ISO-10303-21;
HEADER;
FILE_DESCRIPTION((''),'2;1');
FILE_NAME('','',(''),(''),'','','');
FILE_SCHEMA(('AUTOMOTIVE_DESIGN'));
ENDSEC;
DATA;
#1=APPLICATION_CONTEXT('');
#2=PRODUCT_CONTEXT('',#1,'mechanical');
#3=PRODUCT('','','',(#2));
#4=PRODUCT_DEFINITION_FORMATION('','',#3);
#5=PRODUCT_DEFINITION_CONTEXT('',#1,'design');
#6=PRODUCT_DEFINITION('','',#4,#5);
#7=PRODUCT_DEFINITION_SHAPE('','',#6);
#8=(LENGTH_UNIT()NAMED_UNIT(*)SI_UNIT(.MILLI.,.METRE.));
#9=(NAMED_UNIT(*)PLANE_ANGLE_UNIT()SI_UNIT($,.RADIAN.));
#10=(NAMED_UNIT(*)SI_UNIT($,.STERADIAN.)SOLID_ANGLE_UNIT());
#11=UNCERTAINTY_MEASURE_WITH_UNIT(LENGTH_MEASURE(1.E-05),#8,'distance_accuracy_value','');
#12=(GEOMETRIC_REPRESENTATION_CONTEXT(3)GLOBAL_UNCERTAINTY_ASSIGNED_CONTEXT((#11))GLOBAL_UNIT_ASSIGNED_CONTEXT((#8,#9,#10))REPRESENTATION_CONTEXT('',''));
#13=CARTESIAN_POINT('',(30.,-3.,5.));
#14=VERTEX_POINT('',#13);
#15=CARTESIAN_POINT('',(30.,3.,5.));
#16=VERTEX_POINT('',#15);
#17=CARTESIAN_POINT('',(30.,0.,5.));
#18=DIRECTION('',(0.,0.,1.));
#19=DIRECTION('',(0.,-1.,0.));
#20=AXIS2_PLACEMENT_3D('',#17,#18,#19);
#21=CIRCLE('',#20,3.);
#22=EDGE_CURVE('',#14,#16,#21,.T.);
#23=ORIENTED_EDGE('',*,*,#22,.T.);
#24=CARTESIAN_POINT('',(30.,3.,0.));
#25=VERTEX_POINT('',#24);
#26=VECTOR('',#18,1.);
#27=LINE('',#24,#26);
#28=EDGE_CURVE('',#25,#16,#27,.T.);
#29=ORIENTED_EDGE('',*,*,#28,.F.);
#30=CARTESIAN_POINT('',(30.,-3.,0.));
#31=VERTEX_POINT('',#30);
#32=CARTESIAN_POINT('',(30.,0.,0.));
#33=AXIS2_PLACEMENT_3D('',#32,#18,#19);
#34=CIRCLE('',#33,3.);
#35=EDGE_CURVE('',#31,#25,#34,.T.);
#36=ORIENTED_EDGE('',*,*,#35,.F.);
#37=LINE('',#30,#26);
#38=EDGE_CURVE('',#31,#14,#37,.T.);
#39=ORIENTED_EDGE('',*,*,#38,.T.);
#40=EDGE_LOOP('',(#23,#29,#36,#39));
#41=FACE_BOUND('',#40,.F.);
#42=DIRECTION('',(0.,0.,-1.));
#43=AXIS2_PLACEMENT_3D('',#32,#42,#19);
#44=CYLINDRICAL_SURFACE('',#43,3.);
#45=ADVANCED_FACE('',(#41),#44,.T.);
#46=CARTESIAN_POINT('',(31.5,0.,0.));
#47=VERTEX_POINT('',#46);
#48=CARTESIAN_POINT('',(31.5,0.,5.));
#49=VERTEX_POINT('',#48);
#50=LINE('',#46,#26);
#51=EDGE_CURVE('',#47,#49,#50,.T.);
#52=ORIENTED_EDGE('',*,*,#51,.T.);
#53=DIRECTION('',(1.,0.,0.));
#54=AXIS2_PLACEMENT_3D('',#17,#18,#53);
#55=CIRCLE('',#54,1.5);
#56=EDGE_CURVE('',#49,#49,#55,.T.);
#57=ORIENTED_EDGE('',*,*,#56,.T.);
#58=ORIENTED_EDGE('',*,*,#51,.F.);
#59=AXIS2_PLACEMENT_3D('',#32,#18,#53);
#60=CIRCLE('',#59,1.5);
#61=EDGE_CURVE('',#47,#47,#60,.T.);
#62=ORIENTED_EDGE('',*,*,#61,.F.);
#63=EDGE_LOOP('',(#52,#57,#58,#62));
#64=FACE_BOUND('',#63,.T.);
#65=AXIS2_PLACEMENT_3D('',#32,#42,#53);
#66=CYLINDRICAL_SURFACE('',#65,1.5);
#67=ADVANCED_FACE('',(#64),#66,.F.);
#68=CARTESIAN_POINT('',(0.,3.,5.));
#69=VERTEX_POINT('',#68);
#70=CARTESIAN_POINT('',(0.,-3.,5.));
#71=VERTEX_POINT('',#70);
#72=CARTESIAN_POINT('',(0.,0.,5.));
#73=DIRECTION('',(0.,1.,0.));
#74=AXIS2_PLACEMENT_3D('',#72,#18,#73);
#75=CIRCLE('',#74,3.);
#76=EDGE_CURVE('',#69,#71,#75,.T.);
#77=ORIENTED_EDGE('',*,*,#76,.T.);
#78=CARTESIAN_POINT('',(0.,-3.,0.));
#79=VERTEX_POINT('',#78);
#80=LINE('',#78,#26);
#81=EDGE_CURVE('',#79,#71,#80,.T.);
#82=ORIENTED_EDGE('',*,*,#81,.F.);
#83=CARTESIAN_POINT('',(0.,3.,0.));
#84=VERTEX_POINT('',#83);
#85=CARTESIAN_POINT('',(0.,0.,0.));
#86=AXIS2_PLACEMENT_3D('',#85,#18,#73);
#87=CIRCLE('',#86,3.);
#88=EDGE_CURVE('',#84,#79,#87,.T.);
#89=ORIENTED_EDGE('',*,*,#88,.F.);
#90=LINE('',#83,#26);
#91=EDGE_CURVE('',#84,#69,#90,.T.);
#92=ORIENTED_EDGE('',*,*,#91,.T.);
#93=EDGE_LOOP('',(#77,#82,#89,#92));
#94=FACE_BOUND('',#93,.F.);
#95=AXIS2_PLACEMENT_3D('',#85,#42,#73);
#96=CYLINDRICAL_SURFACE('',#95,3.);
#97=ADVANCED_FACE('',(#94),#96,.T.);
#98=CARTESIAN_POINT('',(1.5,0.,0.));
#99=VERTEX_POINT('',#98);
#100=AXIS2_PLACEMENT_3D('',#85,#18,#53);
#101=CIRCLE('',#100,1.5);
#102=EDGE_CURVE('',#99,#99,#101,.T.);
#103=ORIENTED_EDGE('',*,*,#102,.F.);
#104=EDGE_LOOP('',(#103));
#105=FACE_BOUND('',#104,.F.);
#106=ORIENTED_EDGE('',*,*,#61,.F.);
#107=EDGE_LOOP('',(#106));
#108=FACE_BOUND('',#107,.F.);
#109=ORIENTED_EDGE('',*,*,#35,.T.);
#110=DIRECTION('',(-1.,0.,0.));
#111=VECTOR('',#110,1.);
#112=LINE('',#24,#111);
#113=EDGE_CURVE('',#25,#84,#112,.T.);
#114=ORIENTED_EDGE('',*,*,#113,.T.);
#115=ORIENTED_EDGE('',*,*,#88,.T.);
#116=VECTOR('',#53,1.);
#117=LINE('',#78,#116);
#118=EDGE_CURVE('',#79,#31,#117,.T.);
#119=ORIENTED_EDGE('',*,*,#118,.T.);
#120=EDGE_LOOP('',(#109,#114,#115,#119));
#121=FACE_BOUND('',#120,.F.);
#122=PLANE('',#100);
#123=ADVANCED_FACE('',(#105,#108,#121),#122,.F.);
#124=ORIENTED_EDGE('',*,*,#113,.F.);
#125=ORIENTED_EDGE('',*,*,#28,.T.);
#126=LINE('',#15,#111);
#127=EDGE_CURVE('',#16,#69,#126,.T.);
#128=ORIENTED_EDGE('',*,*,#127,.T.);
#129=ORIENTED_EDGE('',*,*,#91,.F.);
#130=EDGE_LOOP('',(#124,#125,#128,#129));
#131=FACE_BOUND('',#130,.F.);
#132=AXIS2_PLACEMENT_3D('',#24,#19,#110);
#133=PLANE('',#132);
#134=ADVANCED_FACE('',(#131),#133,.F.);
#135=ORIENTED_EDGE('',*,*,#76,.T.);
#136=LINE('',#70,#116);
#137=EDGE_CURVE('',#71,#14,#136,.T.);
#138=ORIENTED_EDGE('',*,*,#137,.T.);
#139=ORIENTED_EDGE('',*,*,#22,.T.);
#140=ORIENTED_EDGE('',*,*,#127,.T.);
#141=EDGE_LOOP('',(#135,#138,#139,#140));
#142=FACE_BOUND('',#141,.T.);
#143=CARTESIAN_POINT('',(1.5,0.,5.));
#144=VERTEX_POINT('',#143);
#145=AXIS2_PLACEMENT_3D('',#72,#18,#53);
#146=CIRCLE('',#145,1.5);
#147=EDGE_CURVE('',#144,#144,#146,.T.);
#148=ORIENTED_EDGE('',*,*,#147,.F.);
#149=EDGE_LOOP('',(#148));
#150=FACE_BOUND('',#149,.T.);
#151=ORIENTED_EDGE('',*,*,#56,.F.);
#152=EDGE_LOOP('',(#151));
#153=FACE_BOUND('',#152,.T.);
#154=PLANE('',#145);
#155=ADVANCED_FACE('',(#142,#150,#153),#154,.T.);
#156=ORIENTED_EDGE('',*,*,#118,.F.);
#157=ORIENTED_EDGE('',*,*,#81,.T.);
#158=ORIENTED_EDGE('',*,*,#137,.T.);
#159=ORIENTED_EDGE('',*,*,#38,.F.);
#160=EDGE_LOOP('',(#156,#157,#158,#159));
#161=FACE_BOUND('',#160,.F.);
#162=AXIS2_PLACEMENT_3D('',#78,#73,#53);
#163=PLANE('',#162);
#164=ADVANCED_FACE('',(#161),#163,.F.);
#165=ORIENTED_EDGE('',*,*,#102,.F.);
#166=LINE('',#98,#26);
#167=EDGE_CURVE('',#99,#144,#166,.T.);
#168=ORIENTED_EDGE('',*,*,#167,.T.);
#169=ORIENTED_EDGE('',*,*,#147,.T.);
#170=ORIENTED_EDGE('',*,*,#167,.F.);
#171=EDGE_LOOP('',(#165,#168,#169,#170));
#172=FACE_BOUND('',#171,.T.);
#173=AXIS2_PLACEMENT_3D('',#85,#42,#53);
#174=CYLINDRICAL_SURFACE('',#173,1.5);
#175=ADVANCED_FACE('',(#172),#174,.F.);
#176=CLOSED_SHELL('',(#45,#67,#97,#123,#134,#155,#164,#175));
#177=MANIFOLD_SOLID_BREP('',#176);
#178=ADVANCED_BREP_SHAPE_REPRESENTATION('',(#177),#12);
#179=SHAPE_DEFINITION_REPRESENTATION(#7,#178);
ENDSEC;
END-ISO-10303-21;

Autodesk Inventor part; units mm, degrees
ref_plane "YZ Plane" through (0, 0, 0) normal (1, 0, 0) x (0, 1, 0)
ref_plane "XZ Plane" through (0, 0, 0) normal (0, 1, 0) x (-1, 0, 0)
ref_plane "XY Plane" through (0, 0, 0) normal (0, 0, 1) x (1, 0, 0)
sketch "스케치1" plane through (0, 0, 0) normal (0, 0, 1) x (1, 0, 0)
  line L0 (0, 0) -> (30, 0) construction
  line L1 (0, -3) -> (30, -3)
  line L2 (30, 3) -> (0, 3)
  arc A0 (0, 3) -> (0, -3) centre (0, 0) ccw
  arc A1 (30, -3) -> (30, 3) centre (30, 0) ccw
  circle A2 centre (0, 0) radius 1.5
  circle A3 centre (30, 0) radius 1.5
  point P0 (15, 0)
  dimension "d0" = 6
  dimension "d1" = 3
  dimension "d2" = 3
  dimension "d3" = 30
extrude "돌출1" add sketch "스케치1" along normal blind 5
properties part number "SuspensionFrame"
